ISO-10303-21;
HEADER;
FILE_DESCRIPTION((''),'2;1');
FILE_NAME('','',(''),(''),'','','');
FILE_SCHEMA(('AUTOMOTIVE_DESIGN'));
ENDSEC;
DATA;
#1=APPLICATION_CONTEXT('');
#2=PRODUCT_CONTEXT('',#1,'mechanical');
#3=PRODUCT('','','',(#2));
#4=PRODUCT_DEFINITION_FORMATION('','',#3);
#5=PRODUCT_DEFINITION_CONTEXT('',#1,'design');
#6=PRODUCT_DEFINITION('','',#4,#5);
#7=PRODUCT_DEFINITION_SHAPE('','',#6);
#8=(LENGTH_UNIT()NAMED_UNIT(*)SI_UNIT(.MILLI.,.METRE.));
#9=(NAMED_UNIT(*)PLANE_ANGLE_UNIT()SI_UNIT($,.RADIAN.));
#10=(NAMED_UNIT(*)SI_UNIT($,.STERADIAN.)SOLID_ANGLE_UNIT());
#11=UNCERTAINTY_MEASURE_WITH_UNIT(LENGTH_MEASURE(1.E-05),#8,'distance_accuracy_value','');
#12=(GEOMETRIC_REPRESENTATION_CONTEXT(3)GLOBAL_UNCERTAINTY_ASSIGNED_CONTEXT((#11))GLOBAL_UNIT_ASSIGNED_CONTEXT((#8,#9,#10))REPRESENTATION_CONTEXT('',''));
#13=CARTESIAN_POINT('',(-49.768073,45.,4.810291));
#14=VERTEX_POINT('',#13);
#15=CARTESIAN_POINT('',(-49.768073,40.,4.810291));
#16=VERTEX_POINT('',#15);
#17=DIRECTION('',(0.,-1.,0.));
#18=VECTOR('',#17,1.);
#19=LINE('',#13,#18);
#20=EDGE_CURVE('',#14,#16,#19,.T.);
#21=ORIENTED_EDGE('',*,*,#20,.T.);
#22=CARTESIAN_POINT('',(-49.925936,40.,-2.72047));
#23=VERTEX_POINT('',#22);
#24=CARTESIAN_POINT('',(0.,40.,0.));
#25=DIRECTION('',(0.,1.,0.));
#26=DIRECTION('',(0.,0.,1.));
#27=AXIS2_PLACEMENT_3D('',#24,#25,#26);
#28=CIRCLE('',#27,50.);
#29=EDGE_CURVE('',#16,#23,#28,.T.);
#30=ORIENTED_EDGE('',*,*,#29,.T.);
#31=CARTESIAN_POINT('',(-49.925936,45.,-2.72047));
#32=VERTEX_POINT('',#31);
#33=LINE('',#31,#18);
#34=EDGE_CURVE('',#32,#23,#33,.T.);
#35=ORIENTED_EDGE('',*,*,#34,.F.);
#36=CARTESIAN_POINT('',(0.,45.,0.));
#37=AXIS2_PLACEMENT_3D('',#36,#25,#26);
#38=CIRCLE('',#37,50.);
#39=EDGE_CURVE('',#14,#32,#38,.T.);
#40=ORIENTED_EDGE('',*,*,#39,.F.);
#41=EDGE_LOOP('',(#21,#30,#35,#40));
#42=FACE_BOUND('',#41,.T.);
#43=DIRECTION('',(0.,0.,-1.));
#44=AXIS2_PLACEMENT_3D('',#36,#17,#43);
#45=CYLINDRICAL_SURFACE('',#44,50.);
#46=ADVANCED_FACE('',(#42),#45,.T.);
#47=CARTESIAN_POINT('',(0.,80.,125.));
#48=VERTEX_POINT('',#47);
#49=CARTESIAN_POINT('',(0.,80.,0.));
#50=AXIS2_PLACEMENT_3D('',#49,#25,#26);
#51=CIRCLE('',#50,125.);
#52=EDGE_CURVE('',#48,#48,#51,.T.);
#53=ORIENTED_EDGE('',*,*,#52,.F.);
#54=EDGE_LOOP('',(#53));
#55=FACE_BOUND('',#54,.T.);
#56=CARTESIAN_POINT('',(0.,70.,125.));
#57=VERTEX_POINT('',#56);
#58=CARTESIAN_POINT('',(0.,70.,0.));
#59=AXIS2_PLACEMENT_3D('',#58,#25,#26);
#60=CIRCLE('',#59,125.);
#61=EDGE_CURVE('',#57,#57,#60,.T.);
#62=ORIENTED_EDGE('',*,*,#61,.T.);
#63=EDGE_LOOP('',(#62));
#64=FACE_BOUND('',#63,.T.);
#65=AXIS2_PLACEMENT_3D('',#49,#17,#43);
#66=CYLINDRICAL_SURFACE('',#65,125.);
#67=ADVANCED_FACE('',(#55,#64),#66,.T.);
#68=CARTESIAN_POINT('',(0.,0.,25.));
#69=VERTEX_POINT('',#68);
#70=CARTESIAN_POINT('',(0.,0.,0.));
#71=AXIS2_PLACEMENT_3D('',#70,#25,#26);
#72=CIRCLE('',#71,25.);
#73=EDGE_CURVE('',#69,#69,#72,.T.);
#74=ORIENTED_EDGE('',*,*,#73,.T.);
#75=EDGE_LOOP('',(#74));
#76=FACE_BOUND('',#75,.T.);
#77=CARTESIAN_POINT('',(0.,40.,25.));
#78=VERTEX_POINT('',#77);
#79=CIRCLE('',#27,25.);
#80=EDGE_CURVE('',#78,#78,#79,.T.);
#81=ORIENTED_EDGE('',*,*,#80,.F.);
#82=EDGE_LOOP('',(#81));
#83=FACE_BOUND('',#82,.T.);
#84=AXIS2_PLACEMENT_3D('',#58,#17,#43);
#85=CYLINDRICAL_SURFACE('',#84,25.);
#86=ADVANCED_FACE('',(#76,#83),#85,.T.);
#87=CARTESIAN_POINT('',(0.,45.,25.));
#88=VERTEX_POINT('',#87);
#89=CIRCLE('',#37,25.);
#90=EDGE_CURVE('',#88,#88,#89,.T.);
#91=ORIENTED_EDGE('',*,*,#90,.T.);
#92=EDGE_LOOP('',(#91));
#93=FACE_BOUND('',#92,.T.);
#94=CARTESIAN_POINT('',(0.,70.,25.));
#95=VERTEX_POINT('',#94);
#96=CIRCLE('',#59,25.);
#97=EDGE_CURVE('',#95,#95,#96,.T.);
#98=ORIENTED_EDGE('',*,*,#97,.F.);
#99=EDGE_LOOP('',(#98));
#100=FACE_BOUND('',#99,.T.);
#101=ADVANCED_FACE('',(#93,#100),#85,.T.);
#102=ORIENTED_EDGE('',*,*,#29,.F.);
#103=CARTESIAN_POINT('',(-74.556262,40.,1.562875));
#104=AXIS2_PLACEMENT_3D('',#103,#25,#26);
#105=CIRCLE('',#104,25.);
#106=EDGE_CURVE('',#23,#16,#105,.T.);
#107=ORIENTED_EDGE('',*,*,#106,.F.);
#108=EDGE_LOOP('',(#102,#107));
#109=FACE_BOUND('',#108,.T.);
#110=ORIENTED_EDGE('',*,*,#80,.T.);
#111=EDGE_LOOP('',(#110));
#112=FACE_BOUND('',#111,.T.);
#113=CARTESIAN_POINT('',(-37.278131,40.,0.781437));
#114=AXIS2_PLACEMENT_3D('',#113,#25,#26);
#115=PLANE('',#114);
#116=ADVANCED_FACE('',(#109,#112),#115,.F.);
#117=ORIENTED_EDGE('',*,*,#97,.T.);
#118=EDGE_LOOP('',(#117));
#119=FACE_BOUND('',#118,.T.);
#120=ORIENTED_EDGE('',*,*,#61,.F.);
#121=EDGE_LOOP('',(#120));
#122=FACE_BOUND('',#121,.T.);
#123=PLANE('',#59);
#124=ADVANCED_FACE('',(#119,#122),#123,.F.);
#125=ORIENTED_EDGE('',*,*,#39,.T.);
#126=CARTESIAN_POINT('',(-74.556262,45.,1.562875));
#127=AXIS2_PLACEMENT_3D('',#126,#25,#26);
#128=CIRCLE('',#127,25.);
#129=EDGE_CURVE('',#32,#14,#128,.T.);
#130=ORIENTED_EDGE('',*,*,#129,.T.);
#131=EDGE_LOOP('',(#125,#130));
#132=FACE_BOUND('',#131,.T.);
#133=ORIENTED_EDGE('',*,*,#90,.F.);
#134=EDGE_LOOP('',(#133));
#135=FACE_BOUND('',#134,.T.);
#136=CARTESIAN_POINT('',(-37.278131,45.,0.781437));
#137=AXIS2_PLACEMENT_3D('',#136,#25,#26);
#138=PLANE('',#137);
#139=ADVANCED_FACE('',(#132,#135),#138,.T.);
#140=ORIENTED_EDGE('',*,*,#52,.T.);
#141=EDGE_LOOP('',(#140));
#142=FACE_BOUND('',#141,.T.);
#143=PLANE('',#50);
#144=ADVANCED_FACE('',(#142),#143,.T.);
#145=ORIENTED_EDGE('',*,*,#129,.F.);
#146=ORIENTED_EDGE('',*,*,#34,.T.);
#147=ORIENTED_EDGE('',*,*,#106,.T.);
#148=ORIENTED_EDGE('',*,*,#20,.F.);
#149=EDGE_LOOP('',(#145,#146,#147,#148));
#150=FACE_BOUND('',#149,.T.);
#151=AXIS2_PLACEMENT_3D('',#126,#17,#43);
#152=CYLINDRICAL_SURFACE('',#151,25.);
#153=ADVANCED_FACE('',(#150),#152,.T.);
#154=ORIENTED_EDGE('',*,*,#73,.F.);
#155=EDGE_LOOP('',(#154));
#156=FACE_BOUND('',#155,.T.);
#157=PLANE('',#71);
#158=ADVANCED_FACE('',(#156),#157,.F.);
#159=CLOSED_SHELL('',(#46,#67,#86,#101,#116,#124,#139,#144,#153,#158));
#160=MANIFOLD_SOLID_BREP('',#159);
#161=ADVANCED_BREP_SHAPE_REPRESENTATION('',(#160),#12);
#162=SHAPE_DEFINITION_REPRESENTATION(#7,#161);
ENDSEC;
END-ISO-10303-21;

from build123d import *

# Parameters (mm, degrees)
SKETCH1_R           = 25
BOSS_EXTRUDE1_DEPTH = 70
BOSS_EXTRUDE2_DEPTH = 5
SKETCH3_R           = 125
BOSS_EXTRUDE3_DEPTH = 10


with BuildPart() as part:
    # Sketch1 → Boss-Extrude1 (new body)
    with BuildSketch(Plane(origin=(0, 0, 0), x_dir=(1, 0, 0), z_dir=(0, 1, 0))):
        with Locations(Location((0, 0, 0), (0, 0, 270))):
            Circle(SKETCH1_R)
    extrude(amount=BOSS_EXTRUDE1_DEPTH)

    # Sketch2 → Boss-Extrude2 (add)
    with BuildSketch(Plane(origin=(0, 40, 0), x_dir=(1, 0, 0), z_dir=(0, 1, 0))):
        with BuildLine():
            ThreePointArc((-49.768073149, -4.810290534), (49.989018115, 1.047887371), (-49.925935592, 2.720469675))
            ThreePointArc((-49.925935592, 2.720469675), (-99.550770715, -2.086818253), (-49.768073149, -4.810290534))
        make_face()
    extrude(amount=BOSS_EXTRUDE2_DEPTH)

    # Sketch3 → Boss-Extrude3 (add)
    with BuildSketch(Plane(origin=(0, 70, 0), x_dir=(1, 0, 0), z_dir=(0, 1, 0))):
        with Locations(Location((0, 0, 0), (0, 0, 270))):
            Circle(SKETCH3_R)
    extrude(amount=BOSS_EXTRUDE3_DEPTH)


solid = part.part
